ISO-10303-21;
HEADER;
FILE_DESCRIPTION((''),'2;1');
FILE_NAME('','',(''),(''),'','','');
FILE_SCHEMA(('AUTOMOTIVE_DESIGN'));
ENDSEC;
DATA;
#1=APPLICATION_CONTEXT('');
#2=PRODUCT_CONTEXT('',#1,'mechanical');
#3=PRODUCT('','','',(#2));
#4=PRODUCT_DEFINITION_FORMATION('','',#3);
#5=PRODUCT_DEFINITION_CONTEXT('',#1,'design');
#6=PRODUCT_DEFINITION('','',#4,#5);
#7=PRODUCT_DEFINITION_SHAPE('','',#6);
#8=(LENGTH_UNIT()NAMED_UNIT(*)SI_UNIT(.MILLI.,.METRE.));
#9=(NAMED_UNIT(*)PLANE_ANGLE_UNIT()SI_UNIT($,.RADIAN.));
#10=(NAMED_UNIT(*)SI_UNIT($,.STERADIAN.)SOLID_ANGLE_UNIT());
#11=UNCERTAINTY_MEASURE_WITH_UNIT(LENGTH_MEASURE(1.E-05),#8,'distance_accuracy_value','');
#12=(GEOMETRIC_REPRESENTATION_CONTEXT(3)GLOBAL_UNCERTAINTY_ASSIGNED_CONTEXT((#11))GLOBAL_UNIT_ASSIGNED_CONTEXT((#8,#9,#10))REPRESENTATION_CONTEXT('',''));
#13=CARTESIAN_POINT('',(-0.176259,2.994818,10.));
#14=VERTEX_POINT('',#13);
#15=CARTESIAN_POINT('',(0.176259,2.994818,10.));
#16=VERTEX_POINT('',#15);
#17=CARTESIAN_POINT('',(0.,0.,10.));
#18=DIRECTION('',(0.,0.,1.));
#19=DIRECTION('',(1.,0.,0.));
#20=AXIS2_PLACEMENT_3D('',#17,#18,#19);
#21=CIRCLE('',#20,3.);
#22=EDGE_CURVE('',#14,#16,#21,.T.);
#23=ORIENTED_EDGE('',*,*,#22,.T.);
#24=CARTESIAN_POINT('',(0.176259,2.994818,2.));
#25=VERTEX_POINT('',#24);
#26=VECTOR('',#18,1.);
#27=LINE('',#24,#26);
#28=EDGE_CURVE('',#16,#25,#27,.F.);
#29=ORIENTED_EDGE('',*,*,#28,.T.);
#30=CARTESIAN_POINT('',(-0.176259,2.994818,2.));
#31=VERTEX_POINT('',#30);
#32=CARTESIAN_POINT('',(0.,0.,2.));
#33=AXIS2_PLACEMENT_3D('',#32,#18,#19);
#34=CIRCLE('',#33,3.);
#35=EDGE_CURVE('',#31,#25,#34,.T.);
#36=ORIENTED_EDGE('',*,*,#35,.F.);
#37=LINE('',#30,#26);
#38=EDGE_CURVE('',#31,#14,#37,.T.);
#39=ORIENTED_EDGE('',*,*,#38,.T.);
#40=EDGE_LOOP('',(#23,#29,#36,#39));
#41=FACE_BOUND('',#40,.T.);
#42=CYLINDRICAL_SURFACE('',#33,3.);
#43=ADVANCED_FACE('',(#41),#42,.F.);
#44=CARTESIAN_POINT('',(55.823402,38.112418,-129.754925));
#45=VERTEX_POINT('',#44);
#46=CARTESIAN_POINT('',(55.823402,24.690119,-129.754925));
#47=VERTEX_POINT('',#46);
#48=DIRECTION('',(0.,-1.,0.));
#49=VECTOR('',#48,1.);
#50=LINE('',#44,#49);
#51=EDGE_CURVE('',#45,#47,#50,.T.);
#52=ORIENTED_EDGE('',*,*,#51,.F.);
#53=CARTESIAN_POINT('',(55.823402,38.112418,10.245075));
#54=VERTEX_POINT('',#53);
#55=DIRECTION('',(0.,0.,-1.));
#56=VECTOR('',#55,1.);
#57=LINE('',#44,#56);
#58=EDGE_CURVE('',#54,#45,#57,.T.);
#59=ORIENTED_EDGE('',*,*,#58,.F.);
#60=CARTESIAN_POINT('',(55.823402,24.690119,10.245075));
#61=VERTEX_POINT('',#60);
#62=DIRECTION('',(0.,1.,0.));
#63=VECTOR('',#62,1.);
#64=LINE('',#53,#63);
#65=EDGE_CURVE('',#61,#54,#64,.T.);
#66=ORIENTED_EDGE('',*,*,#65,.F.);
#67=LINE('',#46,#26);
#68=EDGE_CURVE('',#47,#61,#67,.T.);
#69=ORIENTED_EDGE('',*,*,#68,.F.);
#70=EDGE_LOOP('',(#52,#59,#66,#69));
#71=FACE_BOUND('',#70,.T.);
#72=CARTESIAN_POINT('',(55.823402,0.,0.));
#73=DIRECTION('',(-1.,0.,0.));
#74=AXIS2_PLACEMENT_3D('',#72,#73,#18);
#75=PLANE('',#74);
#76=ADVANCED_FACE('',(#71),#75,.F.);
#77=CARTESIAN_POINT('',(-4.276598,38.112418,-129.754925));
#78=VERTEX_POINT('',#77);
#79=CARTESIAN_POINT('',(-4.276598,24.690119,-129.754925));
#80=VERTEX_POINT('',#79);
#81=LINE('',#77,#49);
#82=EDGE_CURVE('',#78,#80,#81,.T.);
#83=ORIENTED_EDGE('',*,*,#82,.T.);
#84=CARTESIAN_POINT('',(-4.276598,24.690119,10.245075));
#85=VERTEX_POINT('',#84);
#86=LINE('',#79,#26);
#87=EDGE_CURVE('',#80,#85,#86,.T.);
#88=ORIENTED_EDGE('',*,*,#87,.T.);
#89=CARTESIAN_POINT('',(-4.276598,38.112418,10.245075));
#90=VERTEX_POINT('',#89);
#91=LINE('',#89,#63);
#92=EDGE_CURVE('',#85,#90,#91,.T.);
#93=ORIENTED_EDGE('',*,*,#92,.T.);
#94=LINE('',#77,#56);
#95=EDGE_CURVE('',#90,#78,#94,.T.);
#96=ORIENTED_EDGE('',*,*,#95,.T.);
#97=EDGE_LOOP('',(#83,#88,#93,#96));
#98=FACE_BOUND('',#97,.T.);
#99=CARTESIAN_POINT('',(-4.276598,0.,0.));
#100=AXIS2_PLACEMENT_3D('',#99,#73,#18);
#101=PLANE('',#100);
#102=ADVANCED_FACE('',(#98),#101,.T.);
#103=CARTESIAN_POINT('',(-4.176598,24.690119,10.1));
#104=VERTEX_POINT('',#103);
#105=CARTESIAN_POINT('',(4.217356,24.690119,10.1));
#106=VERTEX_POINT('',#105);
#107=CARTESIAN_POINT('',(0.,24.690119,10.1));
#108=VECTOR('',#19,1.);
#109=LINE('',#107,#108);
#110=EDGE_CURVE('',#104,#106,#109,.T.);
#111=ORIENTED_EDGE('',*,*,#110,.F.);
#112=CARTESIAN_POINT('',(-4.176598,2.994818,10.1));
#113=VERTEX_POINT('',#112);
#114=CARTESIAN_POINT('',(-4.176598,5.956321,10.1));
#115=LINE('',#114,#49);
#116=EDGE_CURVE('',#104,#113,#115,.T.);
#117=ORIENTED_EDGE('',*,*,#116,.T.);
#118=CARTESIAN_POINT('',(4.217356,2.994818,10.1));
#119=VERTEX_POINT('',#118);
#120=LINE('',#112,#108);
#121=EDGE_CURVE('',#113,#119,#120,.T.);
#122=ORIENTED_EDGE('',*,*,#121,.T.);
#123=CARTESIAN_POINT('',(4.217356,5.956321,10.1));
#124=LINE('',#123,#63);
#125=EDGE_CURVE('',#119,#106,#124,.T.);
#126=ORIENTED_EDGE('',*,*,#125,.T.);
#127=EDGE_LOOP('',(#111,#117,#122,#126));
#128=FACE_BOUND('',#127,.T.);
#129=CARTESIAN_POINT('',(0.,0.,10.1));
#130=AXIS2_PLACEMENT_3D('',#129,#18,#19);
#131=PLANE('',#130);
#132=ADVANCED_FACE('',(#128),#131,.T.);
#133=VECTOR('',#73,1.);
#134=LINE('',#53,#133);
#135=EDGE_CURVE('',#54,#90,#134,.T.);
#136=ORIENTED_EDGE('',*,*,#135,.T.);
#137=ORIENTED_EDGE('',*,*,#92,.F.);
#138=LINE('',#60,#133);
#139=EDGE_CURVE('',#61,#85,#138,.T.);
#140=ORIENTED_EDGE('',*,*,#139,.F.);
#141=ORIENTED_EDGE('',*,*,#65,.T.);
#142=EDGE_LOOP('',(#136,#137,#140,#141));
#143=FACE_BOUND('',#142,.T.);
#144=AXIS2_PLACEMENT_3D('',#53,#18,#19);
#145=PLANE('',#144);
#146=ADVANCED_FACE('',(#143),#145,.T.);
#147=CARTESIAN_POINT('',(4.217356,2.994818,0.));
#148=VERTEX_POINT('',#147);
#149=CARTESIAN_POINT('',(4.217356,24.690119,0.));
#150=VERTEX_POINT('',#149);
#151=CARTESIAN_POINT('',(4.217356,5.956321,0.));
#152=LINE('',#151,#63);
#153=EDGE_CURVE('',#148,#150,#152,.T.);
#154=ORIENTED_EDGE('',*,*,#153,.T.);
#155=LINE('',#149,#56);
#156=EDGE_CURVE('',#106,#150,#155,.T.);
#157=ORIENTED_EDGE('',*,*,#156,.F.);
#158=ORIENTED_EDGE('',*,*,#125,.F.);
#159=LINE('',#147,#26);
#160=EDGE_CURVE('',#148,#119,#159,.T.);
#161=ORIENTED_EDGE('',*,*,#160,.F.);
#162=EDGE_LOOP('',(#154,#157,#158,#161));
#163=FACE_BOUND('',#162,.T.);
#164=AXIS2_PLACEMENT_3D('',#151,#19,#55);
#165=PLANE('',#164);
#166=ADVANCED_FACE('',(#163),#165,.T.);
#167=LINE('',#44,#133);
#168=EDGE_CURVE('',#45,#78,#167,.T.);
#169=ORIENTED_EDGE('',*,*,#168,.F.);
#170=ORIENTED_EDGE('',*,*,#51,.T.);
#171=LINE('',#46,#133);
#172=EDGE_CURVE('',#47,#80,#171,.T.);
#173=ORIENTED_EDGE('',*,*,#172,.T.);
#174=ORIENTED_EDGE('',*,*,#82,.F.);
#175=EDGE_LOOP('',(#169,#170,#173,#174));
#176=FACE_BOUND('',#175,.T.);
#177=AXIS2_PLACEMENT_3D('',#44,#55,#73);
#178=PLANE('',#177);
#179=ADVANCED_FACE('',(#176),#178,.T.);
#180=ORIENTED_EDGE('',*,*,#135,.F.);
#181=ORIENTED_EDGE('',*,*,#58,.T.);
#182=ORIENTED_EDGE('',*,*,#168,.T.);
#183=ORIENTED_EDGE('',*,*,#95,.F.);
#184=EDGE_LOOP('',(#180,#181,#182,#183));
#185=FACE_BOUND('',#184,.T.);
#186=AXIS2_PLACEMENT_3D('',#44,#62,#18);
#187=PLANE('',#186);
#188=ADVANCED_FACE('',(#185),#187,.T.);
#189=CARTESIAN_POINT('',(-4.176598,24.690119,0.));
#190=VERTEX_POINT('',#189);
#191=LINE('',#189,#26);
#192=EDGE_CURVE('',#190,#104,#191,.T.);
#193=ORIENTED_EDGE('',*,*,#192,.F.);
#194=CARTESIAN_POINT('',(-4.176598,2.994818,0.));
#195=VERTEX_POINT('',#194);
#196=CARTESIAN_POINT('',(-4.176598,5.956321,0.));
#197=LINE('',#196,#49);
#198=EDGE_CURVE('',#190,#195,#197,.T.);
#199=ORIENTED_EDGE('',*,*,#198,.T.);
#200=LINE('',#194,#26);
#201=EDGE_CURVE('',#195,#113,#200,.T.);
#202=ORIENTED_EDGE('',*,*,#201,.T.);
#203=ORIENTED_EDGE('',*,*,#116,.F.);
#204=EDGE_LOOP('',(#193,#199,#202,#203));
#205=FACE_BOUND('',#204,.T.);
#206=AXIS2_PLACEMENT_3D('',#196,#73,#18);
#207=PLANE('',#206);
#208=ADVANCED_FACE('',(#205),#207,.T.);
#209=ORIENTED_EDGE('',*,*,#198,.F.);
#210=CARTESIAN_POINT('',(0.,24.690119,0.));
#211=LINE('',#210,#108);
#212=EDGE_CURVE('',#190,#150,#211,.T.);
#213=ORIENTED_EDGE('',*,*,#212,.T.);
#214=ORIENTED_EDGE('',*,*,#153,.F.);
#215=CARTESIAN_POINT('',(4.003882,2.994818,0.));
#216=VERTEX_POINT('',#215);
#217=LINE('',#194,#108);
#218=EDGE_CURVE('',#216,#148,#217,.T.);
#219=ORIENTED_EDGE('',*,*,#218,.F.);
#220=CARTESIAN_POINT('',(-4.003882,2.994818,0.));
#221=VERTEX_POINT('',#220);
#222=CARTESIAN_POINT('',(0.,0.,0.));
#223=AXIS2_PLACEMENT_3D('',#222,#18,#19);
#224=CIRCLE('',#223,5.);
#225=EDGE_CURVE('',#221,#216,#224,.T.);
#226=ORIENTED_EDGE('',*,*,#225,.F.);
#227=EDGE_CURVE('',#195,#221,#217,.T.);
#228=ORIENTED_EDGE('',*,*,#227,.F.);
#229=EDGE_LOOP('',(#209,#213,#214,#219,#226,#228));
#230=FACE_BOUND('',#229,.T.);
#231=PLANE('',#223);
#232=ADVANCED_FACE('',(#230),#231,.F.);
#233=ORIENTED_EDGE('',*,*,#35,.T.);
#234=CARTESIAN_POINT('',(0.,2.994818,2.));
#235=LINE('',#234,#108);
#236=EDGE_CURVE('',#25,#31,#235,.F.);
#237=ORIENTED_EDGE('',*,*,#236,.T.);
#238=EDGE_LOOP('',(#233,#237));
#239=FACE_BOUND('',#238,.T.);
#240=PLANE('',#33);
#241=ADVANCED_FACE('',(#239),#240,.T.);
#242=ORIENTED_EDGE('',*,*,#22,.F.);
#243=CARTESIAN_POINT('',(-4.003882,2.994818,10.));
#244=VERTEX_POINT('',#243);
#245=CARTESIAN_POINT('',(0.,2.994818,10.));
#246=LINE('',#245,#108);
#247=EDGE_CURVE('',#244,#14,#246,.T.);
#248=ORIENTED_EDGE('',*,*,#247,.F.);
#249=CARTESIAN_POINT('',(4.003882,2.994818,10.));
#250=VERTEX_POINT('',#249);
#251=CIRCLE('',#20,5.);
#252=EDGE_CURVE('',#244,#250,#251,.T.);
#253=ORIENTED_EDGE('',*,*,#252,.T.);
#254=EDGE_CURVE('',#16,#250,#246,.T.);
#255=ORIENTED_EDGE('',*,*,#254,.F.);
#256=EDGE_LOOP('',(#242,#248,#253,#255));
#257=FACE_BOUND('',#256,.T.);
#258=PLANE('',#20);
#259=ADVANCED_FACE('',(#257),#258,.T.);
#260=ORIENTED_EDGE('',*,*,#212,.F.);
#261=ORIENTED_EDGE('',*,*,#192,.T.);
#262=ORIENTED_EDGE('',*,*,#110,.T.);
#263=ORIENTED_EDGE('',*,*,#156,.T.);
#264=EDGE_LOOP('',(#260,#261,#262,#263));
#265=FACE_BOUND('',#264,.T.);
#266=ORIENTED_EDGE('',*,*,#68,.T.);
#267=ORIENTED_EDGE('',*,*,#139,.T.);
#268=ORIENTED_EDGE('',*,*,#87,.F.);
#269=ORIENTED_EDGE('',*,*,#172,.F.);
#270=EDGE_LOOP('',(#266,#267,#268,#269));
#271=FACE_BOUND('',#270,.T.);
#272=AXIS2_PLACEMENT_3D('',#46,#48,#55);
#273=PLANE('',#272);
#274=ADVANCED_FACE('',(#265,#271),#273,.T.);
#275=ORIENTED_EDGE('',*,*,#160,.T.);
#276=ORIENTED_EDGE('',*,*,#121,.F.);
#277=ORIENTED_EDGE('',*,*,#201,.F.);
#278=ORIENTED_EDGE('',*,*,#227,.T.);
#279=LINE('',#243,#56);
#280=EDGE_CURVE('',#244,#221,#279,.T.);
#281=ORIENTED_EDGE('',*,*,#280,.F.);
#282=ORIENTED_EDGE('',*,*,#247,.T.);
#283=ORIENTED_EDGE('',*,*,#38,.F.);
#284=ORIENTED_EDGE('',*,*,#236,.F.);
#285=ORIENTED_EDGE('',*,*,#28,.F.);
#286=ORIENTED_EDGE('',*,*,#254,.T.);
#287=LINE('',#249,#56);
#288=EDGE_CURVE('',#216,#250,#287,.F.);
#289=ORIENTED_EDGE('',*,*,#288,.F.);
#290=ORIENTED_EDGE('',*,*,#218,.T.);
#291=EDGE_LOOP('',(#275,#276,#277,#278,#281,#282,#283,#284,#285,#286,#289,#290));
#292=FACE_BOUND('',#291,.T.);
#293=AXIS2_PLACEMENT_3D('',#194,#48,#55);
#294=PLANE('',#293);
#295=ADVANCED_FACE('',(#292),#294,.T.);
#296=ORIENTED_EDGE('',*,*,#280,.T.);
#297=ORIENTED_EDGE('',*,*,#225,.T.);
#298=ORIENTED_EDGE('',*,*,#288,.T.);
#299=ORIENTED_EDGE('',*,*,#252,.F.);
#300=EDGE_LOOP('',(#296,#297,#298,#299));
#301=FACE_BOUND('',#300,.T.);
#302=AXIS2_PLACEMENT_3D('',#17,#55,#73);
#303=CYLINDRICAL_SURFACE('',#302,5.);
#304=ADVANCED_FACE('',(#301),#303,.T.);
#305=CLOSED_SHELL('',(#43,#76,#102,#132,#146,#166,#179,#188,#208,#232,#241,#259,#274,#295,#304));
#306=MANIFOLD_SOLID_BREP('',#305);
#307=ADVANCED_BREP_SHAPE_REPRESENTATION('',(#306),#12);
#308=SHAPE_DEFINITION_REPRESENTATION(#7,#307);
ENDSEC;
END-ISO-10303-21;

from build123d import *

# Parameters (mm, degrees)
SKETCH_1_R           = 5
EXTRUDE_1_DEPTH      = 10
SKETCH_2_R           = 3
CUT_EXTRUDE_1_DEPTH  = 8
EXTRUDE_2_DEPTH      = 0.1
EXTRUDE_2_DEPTH_BACK = 10
SKETCH_4_W           = 8.393953891
SKETCH_4_H           = 2.961503145
SKETCH_5_W           = 8.393953891
SKETCH_5_H           = 10.1
EXTRUDE_3_DEPTH      = 30
EXTRUDE_4_DEPTH      = 0.1
EXTRUDE_4_DEPTH_BACK = 60
SKETCH_6_W           = 140
SKETCH_6_H           = 13.422298932


with BuildPart() as part:
    # 草图1 → 凸台-拉伸1 (new body)
    with BuildSketch(Plane.XY):
        Circle(SKETCH_1_R)
    extrude(amount=EXTRUDE_1_DEPTH)

    # 草图2 → 切除-拉伸1 (cut)
    with BuildSketch(Plane.XY.offset(10)):
        Circle(SKETCH_2_R)
    extrude(amount=-CUT_EXTRUDE_1_DEPTH, mode=Mode.SUBTRACT)

    # 草图4 → 凸台-拉伸2 (add, two sides: drawn at the far end of the back side and taken through both)
    with BuildSketch(Plane.XY.offset(10).offset(-EXTRUDE_2_DEPTH_BACK)):
        with Locations((0.020379312, 4.475569238)):
            Rectangle(SKETCH_4_W, SKETCH_4_H)
    extrude(amount=EXTRUDE_2_DEPTH + EXTRUDE_2_DEPTH_BACK)

    # 草图5 → 凸台-拉伸3 (add)
    with BuildSketch(Plane(origin=(0, 5.95632081, 0), x_dir=(1, 0, 0), z_dir=(0, 1, 0))):
        with Locations((0.020379312, -5.05)):
            Rectangle(SKETCH_5_W, SKETCH_5_H)
    extrude(amount=EXTRUDE_3_DEPTH)

    # 草图6 → 凸台-拉伸4 (add, two sides: drawn at the far end of the back side and taken through both)
    with BuildSketch(Plane.ZY.offset(4.176597634).offset(-EXTRUDE_4_DEPTH_BACK)):
        with Locations((-59.754924963, 31.401268081)):
            Rectangle(SKETCH_6_W, SKETCH_6_H)
    extrude(amount=EXTRUDE_4_DEPTH + EXTRUDE_4_DEPTH_BACK)


solid = part.part
